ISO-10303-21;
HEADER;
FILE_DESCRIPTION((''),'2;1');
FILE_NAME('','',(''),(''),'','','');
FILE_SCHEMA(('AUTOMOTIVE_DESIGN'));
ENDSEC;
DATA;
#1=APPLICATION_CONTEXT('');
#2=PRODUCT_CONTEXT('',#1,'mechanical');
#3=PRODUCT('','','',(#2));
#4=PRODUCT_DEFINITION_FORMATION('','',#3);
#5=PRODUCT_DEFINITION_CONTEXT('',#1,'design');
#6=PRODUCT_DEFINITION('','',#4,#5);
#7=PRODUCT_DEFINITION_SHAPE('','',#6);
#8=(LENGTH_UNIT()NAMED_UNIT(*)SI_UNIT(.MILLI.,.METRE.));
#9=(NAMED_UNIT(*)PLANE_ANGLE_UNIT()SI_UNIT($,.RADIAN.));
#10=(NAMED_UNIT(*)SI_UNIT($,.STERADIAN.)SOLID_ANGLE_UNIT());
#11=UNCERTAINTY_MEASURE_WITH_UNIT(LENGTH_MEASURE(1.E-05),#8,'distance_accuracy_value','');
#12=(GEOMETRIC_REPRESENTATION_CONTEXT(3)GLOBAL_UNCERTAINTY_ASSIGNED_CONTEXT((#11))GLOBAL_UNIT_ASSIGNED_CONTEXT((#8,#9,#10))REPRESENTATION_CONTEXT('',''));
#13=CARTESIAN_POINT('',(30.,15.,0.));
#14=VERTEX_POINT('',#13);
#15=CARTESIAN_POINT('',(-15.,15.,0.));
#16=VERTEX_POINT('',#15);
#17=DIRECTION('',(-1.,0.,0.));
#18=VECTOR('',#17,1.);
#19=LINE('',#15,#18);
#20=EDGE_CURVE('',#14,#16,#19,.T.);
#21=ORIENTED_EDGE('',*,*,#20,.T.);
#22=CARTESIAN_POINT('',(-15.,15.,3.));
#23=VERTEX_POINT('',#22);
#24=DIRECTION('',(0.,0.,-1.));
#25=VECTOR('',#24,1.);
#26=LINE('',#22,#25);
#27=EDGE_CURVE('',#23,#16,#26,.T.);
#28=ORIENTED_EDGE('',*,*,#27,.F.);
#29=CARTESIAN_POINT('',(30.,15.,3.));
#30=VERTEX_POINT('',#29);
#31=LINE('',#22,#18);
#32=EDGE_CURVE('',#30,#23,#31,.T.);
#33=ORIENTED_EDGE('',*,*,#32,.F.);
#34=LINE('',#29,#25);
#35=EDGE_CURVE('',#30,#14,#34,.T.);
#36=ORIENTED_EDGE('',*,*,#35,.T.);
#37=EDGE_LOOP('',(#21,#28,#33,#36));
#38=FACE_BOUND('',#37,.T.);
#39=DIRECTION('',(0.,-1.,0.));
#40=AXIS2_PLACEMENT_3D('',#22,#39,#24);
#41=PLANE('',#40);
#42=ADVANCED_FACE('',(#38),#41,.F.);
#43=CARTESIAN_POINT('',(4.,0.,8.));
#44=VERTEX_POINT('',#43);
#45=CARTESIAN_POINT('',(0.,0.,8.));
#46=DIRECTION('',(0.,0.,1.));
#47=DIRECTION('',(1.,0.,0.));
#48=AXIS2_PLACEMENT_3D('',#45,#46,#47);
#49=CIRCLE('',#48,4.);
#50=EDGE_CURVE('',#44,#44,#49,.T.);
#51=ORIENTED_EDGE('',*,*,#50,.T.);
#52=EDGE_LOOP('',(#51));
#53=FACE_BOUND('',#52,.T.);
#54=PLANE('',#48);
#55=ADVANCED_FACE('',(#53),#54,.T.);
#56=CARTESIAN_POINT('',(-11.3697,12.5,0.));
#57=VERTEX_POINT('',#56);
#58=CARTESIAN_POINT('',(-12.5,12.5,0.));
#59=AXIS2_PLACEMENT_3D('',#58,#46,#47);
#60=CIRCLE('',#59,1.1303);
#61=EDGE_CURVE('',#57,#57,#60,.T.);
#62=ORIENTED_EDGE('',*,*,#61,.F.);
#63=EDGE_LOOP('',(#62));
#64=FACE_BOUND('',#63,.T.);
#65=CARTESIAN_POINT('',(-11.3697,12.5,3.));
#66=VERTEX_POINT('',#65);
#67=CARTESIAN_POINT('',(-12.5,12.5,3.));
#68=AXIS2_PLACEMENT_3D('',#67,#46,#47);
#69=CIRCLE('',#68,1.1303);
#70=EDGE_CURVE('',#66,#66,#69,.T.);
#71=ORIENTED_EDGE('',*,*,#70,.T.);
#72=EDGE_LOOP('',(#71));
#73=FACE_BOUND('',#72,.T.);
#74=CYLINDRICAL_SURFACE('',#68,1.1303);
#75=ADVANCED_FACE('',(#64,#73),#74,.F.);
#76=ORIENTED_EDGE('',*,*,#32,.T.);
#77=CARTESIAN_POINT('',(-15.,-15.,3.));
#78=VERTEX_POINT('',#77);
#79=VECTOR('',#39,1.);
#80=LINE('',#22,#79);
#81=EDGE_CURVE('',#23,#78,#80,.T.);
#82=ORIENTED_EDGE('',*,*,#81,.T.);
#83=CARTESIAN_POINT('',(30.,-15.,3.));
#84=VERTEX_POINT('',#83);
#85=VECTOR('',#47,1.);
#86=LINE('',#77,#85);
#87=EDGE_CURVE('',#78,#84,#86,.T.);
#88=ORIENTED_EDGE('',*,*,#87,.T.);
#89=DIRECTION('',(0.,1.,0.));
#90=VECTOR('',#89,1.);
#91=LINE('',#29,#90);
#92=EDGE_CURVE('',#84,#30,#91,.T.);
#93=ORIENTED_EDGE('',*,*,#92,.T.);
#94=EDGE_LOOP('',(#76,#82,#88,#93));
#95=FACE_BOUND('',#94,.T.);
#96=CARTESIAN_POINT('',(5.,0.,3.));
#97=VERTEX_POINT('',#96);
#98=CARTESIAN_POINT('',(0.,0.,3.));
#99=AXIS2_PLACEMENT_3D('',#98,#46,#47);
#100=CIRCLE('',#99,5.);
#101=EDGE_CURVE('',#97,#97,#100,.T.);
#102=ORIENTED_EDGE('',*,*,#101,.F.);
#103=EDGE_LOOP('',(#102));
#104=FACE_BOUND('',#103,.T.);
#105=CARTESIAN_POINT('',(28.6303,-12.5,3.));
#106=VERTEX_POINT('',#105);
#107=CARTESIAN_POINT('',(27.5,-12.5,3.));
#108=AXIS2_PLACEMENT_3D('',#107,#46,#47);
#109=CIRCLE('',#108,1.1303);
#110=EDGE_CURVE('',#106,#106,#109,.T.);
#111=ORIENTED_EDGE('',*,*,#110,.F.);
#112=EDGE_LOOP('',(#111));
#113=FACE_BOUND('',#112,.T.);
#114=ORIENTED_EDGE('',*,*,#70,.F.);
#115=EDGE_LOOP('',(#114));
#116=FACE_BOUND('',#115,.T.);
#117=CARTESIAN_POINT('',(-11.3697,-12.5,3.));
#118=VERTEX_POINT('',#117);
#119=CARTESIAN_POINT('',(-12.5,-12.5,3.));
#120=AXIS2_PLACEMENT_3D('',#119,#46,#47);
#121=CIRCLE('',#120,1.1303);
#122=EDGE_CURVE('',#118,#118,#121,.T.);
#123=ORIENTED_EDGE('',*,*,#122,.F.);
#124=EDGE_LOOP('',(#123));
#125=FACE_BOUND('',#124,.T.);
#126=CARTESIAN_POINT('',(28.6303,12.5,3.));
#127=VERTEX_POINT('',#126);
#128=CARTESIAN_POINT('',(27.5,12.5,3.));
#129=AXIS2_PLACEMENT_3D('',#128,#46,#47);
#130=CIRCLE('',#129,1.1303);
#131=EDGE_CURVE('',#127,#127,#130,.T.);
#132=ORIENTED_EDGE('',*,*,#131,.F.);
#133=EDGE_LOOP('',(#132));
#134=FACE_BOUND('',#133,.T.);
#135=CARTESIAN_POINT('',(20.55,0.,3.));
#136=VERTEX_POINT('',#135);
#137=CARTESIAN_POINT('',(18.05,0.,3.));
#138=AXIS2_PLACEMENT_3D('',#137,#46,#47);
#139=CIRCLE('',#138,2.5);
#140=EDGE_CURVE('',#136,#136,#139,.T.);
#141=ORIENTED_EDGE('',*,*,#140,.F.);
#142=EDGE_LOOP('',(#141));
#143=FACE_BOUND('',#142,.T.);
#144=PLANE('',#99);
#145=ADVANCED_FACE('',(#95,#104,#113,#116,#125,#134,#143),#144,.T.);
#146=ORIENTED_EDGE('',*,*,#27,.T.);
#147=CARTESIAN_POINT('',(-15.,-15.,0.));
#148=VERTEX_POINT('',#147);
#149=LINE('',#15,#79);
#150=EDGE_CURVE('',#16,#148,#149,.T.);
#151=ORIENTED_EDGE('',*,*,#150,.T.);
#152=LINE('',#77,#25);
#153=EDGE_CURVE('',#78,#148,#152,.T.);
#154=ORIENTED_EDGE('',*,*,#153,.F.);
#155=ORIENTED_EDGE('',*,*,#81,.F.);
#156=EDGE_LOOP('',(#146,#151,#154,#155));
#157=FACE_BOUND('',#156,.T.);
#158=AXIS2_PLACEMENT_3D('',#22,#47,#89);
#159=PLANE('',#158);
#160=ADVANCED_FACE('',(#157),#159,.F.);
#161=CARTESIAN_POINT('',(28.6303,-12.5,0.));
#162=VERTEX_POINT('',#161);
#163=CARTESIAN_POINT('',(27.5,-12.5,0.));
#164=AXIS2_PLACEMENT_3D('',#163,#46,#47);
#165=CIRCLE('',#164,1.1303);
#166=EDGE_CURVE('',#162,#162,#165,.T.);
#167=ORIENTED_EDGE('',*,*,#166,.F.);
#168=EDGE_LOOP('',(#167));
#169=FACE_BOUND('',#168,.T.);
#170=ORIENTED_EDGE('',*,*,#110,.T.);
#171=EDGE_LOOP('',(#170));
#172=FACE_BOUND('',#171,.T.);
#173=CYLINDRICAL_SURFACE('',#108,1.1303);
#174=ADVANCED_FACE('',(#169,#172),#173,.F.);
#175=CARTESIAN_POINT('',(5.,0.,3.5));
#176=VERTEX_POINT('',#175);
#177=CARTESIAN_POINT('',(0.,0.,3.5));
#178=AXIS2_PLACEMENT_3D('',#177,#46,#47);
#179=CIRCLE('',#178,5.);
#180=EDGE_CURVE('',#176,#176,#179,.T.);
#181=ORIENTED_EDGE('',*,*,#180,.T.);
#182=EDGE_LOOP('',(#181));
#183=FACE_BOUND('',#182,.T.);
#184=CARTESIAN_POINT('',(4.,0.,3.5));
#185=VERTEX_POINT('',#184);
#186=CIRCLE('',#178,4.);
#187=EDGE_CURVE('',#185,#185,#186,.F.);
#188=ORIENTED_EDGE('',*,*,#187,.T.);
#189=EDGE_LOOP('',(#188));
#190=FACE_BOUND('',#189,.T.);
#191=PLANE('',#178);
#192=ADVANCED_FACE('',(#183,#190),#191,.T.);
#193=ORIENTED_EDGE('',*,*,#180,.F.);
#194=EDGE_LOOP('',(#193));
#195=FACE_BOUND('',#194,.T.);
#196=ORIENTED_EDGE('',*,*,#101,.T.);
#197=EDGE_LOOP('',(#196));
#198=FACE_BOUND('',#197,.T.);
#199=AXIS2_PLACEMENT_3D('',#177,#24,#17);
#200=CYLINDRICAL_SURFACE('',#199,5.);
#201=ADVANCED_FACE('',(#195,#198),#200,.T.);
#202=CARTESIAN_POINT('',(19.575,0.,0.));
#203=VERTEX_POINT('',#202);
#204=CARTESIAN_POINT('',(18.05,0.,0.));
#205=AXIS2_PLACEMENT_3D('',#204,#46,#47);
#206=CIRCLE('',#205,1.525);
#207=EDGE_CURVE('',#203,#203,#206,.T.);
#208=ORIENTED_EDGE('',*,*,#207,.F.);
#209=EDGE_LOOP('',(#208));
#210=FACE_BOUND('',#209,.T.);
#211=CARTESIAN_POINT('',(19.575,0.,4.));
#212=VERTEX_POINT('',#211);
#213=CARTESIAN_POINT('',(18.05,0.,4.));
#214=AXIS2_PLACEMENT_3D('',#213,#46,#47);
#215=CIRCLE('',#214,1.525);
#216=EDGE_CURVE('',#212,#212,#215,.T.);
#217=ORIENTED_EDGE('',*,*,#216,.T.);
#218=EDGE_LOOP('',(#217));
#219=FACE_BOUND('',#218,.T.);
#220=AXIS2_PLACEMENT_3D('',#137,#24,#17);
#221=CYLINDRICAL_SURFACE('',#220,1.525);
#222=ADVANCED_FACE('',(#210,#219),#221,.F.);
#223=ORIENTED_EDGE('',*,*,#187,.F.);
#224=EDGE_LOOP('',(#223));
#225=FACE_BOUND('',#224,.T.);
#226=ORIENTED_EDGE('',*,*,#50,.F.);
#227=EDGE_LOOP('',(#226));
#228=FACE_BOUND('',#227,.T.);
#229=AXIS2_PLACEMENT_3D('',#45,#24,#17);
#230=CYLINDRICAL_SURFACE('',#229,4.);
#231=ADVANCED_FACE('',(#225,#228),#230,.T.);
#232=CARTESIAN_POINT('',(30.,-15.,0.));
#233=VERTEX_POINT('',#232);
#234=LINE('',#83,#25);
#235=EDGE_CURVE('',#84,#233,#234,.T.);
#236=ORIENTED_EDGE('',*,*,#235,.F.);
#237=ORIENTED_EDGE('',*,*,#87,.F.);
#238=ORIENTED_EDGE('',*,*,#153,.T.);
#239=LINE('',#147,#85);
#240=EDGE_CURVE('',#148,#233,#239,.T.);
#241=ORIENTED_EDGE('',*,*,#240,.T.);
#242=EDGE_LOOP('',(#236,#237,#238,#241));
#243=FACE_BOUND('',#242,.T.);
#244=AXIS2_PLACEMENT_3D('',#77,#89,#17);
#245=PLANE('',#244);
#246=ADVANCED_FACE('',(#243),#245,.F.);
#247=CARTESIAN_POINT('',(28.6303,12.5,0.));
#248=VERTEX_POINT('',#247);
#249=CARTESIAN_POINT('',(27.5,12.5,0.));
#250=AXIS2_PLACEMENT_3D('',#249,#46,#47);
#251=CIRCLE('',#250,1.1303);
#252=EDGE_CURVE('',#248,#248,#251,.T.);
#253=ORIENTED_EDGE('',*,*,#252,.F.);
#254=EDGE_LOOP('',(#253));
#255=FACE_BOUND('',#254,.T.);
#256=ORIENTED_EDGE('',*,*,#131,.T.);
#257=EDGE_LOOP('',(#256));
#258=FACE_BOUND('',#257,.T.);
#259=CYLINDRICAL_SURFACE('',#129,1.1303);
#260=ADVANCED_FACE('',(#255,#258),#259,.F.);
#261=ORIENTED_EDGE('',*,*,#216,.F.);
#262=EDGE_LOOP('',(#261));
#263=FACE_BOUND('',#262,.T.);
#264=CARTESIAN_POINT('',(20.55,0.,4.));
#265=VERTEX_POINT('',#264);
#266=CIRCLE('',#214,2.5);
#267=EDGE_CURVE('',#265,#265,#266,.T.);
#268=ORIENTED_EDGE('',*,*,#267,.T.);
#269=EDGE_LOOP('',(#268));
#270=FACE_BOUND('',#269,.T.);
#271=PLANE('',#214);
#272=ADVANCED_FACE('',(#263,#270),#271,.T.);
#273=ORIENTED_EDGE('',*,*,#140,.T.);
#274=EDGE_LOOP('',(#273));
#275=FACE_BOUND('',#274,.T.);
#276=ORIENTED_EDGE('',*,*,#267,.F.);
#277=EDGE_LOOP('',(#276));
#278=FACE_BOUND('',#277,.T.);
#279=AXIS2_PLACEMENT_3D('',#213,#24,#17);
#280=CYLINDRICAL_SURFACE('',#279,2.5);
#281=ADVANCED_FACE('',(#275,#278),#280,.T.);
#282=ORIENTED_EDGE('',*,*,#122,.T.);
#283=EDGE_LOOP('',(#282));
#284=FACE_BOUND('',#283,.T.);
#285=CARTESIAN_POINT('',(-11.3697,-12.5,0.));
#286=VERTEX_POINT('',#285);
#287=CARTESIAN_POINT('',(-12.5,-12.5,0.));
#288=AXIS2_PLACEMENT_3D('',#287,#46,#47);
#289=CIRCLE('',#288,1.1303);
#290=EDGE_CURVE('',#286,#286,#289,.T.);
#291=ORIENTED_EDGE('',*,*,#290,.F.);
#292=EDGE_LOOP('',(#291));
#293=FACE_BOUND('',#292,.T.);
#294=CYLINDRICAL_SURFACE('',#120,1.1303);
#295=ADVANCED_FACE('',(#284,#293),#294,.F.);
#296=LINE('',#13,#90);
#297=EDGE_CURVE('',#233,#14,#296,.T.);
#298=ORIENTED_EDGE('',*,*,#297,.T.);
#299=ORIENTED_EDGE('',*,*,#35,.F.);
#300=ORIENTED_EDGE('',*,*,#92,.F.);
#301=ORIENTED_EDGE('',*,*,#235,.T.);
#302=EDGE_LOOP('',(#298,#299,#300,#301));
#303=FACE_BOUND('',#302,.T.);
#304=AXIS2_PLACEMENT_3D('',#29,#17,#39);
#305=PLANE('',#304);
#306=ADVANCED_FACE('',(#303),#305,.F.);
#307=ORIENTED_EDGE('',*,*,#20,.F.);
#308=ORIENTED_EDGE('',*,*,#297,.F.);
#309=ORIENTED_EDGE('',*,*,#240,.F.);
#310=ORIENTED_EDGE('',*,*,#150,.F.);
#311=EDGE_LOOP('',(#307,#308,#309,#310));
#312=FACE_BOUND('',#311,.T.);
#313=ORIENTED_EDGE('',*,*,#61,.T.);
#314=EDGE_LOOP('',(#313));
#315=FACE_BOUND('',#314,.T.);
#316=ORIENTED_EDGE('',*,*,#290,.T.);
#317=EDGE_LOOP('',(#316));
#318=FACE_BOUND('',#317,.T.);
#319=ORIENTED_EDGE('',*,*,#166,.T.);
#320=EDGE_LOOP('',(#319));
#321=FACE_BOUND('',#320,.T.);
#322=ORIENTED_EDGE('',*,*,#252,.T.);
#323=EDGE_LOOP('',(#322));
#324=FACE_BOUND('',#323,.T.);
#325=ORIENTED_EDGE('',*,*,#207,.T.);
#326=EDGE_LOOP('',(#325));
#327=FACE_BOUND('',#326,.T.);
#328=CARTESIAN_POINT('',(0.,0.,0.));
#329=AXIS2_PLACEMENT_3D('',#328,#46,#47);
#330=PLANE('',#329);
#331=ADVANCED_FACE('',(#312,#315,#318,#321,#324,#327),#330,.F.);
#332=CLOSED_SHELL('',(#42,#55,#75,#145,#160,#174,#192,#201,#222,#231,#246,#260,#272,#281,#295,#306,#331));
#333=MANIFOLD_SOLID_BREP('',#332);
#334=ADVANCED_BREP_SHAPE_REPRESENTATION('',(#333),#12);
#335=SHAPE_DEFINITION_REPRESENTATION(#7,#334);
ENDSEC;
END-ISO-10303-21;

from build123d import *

# Parameters (mm, degrees)
SKETCH1_W             = 45
SKETCH1_H             = 30
SKETCH1_R             = 1.525
BOSS_EXTRUDE1_DEPTH   = 3
SKETCH2_R             = 4
BOSS_EXTRUDE2_DEPTH   = 5
SKETCH3_R             = 5
BOSS_EXTRUDE3_DEPTH   = 0.5
F_2_CLEARANCE_HOLE1_D = 2.2606
SKETCH6_R             = 2.5
SKETCH6_R_2           = 1.525
BOSS_EXTRUDE4_DEPTH   = 1


with BuildPart() as part:
    # Sketch1 → Boss-Extrude1 (new body)
    with BuildSketch(Plane.XY):
        with Locations((7.5, 0)):
            Rectangle(SKETCH1_W, SKETCH1_H)
        with Locations((18.050000068, 0)):
            Circle(SKETCH1_R, mode=Mode.SUBTRACT)
    extrude(amount=BOSS_EXTRUDE1_DEPTH)

    # Sketch2 → Boss-Extrude2 (add)
    with BuildSketch(Plane.XY.offset(3)):
        Circle(SKETCH2_R)
    extrude(amount=BOSS_EXTRUDE2_DEPTH)

    # Sketch3 → Boss-Extrude3 (add)
    with BuildSketch(Plane.XY.offset(3)):
        Circle(SKETCH3_R)
    extrude(amount=BOSS_EXTRUDE3_DEPTH)

    # #2 Clearance Hole1 (through all)
    with Locations(Plane.XY.offset(3)):
        with Locations((-12.5, 12.5), (-12.5, -12.5), (27.5, -12.5), (27.5, 12.5)):
            Hole(F_2_CLEARANCE_HOLE1_D / 2)

    # Sketch6 → Boss-Extrude4 (add)
    with BuildSketch(Plane.XY.offset(3)):
        with Locations((18.050000068, 0)):
            Circle(SKETCH6_R)
        with Locations((18.050000068, 0)):
            Circle(SKETCH6_R_2, mode=Mode.SUBTRACT)
    extrude(amount=BOSS_EXTRUDE4_DEPTH)


solid = part.part
